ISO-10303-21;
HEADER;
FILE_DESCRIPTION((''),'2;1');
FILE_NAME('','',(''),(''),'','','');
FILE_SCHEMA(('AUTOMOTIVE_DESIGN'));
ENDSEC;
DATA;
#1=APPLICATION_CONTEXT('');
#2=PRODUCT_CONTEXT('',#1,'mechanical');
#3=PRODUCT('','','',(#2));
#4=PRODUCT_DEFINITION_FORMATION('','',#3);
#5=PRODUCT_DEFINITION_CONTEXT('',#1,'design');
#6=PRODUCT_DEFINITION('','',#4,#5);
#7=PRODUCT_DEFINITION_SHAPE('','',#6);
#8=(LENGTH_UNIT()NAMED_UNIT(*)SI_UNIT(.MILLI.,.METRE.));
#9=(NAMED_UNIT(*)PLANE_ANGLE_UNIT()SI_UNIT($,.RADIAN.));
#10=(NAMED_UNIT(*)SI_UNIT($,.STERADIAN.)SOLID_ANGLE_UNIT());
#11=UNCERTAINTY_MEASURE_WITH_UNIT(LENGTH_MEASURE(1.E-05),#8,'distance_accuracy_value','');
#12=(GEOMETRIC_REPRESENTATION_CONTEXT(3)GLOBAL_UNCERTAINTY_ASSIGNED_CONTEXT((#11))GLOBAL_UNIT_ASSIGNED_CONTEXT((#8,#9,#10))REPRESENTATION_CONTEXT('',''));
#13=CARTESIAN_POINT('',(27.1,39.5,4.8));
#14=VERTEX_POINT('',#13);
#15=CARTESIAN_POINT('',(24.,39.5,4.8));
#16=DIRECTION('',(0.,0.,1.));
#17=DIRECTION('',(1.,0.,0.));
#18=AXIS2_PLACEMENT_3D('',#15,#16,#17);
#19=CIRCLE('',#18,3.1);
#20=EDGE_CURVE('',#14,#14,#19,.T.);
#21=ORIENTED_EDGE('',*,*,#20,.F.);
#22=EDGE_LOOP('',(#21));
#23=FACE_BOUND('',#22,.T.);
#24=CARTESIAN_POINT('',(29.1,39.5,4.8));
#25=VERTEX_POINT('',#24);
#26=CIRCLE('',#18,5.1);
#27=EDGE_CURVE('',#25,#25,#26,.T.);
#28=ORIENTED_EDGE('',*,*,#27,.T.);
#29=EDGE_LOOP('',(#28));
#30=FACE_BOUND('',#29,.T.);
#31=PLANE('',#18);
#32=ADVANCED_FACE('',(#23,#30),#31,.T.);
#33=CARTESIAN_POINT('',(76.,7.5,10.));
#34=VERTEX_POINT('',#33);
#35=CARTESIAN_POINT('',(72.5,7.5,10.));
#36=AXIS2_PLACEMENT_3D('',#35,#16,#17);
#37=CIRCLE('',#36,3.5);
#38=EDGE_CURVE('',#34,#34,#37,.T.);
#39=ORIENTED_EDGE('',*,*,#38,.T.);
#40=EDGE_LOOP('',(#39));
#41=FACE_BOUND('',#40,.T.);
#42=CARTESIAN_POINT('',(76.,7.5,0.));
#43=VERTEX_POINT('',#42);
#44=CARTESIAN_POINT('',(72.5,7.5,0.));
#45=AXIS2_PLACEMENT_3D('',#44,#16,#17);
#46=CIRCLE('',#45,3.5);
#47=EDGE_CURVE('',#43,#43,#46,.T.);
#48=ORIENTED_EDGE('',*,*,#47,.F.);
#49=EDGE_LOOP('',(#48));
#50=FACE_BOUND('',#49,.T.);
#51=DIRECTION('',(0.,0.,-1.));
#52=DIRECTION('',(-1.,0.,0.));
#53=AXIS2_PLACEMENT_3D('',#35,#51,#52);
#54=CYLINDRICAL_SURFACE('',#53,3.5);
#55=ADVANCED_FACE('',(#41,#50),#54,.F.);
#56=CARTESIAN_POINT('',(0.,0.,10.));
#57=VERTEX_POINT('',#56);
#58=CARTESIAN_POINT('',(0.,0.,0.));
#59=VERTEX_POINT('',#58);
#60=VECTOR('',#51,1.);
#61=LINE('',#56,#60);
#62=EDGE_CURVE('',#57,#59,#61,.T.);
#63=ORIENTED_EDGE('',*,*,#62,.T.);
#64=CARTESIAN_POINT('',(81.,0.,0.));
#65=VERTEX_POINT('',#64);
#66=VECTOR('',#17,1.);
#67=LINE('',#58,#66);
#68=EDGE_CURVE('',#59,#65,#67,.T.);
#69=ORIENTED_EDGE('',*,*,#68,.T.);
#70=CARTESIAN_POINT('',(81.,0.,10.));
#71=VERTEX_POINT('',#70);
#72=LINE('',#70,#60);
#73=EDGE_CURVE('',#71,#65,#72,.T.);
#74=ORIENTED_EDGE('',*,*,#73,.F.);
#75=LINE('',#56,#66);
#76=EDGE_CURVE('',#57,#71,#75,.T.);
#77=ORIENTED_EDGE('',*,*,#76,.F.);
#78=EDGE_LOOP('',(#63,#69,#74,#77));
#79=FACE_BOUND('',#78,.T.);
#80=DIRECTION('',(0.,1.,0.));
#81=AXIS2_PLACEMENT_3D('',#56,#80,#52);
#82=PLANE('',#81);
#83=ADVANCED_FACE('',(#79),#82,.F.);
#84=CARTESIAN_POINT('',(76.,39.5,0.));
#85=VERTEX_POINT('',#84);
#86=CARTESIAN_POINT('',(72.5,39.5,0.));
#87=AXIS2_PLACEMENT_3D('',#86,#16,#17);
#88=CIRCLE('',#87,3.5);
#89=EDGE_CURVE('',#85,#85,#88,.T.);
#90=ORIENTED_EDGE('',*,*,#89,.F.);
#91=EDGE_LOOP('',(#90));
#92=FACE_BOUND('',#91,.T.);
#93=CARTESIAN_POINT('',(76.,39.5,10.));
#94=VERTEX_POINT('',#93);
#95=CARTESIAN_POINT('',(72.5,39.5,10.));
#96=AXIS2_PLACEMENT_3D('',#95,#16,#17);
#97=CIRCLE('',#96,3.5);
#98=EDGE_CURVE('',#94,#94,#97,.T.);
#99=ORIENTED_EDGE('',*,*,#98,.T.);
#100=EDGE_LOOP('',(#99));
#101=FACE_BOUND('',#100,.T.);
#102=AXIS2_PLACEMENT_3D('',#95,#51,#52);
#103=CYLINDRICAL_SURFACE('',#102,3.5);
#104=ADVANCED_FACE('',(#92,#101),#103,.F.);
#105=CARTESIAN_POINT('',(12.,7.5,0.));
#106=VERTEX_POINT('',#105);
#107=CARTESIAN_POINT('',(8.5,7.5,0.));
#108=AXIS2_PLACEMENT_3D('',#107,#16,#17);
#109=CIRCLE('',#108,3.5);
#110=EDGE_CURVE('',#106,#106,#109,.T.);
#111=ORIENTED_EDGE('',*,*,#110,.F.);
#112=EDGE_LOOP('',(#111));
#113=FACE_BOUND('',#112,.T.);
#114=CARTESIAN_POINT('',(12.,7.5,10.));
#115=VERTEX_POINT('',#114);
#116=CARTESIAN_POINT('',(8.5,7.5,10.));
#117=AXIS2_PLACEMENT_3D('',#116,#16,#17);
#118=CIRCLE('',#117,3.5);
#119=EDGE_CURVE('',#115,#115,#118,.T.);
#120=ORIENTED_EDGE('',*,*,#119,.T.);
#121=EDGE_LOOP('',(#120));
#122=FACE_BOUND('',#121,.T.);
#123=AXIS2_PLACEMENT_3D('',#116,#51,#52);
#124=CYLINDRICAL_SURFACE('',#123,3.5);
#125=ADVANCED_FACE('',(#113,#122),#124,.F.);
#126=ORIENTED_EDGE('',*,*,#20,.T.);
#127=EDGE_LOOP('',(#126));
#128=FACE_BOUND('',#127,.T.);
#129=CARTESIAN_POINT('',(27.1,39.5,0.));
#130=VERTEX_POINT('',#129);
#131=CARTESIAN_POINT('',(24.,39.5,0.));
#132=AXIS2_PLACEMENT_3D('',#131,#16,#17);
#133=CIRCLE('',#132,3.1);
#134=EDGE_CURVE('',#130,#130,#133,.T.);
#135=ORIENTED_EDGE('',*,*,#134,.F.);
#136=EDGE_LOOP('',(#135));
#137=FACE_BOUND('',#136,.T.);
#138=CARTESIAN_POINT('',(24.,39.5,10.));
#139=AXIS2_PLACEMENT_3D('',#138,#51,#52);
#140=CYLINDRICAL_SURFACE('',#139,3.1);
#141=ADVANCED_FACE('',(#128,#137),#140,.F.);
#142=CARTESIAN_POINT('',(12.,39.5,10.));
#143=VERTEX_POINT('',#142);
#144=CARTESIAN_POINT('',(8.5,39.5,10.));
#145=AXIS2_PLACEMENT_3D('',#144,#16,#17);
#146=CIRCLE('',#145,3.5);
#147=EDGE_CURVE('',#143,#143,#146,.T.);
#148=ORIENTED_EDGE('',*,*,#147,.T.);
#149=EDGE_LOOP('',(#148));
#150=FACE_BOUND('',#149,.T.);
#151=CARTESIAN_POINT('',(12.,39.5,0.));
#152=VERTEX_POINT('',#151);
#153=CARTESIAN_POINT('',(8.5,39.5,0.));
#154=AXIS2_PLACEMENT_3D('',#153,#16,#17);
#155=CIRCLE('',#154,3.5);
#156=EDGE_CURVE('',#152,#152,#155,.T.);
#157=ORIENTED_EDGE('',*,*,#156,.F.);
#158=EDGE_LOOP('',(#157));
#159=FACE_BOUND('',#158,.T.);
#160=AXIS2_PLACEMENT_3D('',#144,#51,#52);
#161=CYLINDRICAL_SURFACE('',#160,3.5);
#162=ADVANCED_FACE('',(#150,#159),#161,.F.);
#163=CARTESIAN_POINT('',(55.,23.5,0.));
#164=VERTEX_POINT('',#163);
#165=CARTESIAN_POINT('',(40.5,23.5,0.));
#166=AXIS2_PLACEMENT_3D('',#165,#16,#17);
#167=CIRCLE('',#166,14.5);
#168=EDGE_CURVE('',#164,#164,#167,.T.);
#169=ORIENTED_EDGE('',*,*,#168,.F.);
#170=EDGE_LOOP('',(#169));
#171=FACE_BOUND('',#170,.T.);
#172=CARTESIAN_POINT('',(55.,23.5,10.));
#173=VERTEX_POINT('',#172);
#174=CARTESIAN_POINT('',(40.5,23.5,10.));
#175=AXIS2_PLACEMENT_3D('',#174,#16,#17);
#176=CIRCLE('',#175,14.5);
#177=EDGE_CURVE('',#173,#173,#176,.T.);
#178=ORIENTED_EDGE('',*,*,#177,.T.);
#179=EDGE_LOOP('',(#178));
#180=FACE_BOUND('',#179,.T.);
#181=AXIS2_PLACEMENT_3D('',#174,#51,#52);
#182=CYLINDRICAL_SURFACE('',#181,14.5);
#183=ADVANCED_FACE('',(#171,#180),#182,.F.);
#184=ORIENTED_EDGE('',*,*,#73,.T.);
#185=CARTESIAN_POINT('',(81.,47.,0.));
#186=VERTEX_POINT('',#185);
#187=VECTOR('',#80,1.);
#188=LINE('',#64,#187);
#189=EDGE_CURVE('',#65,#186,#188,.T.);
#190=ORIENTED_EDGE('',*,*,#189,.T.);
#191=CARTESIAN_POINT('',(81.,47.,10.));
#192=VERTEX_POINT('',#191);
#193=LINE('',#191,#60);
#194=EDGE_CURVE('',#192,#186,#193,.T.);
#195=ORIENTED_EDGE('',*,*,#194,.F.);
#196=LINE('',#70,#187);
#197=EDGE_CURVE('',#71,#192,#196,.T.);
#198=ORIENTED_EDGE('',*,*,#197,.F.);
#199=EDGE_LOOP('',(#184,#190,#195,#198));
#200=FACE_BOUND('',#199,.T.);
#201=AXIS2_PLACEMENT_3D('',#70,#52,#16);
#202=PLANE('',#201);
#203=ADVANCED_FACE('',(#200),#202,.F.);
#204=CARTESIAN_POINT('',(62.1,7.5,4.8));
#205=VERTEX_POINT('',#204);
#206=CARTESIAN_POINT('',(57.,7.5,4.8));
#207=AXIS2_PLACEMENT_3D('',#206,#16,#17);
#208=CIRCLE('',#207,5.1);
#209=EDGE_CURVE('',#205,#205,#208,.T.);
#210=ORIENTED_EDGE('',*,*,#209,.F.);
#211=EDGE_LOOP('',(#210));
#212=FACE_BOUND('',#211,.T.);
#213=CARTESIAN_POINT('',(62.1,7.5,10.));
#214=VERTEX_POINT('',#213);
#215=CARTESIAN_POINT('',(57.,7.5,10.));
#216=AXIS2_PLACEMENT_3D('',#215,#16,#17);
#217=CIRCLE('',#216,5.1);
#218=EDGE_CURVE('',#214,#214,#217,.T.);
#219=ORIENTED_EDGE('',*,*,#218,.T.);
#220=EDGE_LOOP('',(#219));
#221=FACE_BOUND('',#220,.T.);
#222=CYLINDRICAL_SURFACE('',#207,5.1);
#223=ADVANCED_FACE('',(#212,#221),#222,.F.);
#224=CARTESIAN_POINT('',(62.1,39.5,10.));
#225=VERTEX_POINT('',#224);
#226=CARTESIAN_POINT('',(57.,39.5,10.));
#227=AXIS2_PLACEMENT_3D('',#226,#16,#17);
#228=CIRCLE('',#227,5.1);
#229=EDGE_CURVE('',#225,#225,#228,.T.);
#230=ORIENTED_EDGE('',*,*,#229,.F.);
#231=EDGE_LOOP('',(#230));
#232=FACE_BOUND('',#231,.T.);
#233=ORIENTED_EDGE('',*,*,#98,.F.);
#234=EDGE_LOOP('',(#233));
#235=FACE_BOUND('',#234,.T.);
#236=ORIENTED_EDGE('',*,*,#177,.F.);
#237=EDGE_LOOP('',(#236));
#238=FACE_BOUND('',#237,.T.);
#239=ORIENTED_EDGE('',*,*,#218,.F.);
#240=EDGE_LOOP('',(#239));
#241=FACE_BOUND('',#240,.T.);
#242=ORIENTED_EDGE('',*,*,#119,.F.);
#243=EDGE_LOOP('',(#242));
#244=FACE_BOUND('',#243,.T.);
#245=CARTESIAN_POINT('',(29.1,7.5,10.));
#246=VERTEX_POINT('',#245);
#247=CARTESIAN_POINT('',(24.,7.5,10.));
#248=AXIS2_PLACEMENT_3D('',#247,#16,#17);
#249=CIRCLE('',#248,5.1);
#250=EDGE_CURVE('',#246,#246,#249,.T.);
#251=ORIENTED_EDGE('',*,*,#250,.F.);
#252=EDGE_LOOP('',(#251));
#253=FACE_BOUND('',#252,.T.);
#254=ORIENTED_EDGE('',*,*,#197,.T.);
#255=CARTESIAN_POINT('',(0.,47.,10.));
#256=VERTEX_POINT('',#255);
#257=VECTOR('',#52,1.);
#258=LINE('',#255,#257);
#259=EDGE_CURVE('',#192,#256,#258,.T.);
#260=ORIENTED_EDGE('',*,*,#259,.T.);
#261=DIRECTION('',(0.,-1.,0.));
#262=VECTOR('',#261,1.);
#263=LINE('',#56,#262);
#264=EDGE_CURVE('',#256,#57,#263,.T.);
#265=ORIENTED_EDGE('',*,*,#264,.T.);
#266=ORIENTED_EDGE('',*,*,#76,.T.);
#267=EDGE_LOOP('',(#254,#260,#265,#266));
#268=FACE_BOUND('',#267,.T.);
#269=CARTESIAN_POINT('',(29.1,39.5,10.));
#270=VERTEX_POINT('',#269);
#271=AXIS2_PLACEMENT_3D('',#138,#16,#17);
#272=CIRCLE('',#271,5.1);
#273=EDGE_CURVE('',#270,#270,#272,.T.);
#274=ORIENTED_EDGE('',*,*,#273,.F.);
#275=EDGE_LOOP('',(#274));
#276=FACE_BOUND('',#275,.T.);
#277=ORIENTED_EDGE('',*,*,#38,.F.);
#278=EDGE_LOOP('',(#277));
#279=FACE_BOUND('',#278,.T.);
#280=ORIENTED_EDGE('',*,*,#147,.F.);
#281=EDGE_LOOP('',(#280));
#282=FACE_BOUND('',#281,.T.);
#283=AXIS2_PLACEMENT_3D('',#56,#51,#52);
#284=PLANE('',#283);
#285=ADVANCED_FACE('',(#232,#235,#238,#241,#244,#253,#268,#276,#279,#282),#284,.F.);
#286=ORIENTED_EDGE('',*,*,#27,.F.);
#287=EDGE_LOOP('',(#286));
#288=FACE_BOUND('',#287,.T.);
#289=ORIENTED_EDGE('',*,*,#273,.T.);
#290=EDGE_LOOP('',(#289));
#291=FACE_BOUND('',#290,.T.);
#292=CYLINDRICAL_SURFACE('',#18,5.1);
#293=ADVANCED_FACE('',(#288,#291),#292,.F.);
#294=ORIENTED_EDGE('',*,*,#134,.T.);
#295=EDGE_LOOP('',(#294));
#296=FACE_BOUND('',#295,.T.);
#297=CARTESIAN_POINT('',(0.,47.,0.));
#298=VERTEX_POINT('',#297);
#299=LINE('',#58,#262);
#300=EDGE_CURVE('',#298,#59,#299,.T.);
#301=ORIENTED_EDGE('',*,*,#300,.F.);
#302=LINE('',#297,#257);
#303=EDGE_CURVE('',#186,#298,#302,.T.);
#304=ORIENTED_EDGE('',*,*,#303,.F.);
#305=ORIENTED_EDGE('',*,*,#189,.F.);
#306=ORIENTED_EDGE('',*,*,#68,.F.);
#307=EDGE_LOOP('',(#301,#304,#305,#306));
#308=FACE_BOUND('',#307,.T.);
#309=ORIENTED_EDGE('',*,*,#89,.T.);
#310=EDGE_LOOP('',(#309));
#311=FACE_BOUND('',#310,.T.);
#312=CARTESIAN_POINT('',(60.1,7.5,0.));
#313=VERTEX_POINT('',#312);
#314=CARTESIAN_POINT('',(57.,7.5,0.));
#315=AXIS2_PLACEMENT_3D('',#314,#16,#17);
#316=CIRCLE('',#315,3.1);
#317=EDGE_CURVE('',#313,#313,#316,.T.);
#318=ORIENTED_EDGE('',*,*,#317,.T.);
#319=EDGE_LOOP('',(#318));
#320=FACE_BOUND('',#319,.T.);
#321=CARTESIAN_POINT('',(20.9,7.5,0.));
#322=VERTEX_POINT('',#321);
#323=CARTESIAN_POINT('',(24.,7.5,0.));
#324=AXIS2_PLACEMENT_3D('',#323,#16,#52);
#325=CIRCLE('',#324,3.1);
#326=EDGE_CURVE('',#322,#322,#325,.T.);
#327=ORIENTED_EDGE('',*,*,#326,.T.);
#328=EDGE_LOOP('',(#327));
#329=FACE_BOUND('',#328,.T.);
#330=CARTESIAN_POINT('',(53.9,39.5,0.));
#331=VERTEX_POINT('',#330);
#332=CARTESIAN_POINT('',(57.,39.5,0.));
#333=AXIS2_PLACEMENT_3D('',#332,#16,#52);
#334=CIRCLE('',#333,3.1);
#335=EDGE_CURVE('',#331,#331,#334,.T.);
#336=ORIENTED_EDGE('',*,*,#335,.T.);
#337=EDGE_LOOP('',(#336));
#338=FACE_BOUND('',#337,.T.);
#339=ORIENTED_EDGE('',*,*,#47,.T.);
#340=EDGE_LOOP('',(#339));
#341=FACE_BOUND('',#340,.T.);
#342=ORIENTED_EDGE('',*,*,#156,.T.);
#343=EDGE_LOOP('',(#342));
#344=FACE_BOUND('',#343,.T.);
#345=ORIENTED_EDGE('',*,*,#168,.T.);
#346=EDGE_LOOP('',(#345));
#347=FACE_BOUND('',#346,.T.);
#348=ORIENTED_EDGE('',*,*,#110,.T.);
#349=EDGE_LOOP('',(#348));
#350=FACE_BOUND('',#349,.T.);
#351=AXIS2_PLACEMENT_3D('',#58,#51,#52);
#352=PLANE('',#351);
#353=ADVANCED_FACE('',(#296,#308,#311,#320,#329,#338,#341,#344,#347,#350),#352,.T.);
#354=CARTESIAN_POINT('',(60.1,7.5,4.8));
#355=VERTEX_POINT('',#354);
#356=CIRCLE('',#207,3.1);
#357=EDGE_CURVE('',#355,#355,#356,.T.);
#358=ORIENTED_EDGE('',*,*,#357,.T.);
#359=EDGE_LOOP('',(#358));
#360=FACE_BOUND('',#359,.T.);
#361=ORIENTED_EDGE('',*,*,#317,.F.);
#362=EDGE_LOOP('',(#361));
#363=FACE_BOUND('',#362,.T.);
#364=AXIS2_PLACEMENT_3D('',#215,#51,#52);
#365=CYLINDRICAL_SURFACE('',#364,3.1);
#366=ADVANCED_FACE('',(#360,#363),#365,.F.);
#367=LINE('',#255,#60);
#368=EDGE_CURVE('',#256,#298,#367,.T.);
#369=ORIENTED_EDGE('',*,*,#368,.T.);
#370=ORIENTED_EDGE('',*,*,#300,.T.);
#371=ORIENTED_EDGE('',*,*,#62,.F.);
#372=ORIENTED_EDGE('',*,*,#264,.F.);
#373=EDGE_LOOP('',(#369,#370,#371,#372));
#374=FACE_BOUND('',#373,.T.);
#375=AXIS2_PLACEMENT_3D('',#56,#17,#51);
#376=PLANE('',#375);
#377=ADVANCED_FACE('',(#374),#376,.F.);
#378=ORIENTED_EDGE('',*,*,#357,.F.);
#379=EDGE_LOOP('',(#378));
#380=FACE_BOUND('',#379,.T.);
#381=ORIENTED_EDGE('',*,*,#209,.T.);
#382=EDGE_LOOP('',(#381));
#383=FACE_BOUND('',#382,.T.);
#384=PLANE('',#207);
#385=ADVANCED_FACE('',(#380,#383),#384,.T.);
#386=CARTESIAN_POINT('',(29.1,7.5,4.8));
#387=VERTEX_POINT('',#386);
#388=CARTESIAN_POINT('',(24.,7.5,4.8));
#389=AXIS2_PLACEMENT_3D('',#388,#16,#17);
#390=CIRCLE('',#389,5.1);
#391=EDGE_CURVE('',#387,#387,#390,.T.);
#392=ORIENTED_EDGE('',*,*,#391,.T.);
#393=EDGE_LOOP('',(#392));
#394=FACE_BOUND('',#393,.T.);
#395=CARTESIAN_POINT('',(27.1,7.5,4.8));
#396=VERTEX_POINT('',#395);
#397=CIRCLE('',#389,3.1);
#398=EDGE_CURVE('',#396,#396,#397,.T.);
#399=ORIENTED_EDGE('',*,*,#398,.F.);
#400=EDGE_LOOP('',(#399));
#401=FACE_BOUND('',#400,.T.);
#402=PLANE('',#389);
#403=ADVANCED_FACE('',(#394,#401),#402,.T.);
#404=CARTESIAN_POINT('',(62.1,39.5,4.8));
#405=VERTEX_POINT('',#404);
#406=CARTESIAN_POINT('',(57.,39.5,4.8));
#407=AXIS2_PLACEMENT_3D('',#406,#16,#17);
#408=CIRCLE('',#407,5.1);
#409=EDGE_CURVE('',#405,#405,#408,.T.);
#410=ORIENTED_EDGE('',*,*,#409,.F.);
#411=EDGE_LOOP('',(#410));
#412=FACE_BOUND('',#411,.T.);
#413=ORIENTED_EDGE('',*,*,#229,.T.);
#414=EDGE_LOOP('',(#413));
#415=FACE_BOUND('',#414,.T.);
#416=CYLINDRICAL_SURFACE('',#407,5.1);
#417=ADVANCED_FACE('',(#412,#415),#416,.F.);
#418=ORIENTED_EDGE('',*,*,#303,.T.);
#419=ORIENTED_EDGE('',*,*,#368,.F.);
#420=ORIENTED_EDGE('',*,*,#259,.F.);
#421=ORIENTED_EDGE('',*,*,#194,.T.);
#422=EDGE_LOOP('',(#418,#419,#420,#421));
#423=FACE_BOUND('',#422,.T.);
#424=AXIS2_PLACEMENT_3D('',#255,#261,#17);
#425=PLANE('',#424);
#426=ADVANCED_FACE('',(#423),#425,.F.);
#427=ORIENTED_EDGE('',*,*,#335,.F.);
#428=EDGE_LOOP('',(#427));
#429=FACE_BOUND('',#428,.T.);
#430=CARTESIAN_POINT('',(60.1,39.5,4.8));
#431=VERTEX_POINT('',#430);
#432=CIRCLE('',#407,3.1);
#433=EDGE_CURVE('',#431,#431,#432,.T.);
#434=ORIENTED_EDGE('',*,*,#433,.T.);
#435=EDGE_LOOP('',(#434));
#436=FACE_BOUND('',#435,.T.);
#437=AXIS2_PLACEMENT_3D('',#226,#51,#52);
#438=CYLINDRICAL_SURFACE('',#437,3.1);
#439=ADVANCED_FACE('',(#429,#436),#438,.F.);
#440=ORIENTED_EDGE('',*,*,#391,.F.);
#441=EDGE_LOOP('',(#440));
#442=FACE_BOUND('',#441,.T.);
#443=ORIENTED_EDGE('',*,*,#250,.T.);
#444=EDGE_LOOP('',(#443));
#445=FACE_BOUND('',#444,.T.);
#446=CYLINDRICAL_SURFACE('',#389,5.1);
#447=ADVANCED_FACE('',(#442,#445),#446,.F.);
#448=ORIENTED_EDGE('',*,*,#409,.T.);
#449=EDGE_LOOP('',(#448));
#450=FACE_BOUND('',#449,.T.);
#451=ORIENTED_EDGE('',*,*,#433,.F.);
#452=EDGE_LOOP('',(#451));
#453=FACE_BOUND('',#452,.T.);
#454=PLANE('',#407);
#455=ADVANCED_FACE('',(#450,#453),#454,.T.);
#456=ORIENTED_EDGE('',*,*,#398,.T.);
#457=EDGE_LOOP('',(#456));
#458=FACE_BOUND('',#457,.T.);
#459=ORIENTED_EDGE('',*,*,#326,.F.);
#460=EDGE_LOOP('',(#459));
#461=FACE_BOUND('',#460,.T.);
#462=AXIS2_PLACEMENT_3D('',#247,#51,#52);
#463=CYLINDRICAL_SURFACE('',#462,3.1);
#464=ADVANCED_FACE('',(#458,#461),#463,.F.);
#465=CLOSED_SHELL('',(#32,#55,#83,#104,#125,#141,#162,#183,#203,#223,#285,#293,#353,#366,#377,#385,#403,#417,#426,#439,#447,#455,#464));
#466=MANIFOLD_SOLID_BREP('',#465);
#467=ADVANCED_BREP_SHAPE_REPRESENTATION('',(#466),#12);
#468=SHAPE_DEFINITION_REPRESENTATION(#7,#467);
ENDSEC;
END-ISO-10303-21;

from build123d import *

# Parameters (mm, degrees)
ESQUISSE2_W             = 81
ESQUISSE2_H             = 47
ESQUISSE2_R             = 14.5
ESQUISSE2_R_2           = 3.5
ESQUISSE2_R_3           = 3.1
BOSS_EXTRU_1_DEPTH      = 10
ESQUISSE5_R             = 5.1
ENL_V_MAT_EXTRU_1_DEPTH = 5.2


with BuildPart() as part:
    # Esquisse2 → Boss.-Extru.1 (new body)
    with BuildSketch(Plane.XY):
        with Locations((40.5, 23.5)):
            Rectangle(ESQUISSE2_W, ESQUISSE2_H)
        with Locations((40.5, 23.5)):
            Circle(ESQUISSE2_R, mode=Mode.SUBTRACT)
        with Locations((8.5, 39.5)):
            Circle(ESQUISSE2_R_2, mode=Mode.SUBTRACT)
        with Locations((72.5, 39.5)):
            Circle(ESQUISSE2_R_2, mode=Mode.SUBTRACT)
        with Locations((72.5, 7.5)):
            Circle(ESQUISSE2_R_2, mode=Mode.SUBTRACT)
        with Locations((8.5, 7.5)):
            Circle(ESQUISSE2_R_2, mode=Mode.SUBTRACT)
        with Locations((24, 39.5)):
            Circle(ESQUISSE2_R_3, mode=Mode.SUBTRACT)
        with Locations(Location((57, 39.5, 0), (0, 0, 180))):  # turned: the seam where the file's is
            Circle(ESQUISSE2_R_3, mode=Mode.SUBTRACT)
        with Locations((57, 7.5)):
            Circle(ESQUISSE2_R_3, mode=Mode.SUBTRACT)
        with Locations(Location((24, 7.5, 0), (0, 0, 180))):  # turned: the seam where the file's is
            Circle(ESQUISSE2_R_3, mode=Mode.SUBTRACT)
    extrude(amount=BOSS_EXTRU_1_DEPTH)

    # Esquisse5 → Enlèv. mat.-Extru.1 (cut)
    with BuildSketch(Plane.XY.offset(10)):
        with Locations((24, 39.5)):
            Circle(ESQUISSE5_R)
        with Locations((24, 7.5)):
            Circle(ESQUISSE5_R)
        with Locations((57, 7.5)):
            Circle(ESQUISSE5_R)
        with Locations((57, 39.5)):
            Circle(ESQUISSE5_R)
    extrude(amount=-ENL_V_MAT_EXTRU_1_DEPTH, mode=Mode.SUBTRACT)


solid = part.part
